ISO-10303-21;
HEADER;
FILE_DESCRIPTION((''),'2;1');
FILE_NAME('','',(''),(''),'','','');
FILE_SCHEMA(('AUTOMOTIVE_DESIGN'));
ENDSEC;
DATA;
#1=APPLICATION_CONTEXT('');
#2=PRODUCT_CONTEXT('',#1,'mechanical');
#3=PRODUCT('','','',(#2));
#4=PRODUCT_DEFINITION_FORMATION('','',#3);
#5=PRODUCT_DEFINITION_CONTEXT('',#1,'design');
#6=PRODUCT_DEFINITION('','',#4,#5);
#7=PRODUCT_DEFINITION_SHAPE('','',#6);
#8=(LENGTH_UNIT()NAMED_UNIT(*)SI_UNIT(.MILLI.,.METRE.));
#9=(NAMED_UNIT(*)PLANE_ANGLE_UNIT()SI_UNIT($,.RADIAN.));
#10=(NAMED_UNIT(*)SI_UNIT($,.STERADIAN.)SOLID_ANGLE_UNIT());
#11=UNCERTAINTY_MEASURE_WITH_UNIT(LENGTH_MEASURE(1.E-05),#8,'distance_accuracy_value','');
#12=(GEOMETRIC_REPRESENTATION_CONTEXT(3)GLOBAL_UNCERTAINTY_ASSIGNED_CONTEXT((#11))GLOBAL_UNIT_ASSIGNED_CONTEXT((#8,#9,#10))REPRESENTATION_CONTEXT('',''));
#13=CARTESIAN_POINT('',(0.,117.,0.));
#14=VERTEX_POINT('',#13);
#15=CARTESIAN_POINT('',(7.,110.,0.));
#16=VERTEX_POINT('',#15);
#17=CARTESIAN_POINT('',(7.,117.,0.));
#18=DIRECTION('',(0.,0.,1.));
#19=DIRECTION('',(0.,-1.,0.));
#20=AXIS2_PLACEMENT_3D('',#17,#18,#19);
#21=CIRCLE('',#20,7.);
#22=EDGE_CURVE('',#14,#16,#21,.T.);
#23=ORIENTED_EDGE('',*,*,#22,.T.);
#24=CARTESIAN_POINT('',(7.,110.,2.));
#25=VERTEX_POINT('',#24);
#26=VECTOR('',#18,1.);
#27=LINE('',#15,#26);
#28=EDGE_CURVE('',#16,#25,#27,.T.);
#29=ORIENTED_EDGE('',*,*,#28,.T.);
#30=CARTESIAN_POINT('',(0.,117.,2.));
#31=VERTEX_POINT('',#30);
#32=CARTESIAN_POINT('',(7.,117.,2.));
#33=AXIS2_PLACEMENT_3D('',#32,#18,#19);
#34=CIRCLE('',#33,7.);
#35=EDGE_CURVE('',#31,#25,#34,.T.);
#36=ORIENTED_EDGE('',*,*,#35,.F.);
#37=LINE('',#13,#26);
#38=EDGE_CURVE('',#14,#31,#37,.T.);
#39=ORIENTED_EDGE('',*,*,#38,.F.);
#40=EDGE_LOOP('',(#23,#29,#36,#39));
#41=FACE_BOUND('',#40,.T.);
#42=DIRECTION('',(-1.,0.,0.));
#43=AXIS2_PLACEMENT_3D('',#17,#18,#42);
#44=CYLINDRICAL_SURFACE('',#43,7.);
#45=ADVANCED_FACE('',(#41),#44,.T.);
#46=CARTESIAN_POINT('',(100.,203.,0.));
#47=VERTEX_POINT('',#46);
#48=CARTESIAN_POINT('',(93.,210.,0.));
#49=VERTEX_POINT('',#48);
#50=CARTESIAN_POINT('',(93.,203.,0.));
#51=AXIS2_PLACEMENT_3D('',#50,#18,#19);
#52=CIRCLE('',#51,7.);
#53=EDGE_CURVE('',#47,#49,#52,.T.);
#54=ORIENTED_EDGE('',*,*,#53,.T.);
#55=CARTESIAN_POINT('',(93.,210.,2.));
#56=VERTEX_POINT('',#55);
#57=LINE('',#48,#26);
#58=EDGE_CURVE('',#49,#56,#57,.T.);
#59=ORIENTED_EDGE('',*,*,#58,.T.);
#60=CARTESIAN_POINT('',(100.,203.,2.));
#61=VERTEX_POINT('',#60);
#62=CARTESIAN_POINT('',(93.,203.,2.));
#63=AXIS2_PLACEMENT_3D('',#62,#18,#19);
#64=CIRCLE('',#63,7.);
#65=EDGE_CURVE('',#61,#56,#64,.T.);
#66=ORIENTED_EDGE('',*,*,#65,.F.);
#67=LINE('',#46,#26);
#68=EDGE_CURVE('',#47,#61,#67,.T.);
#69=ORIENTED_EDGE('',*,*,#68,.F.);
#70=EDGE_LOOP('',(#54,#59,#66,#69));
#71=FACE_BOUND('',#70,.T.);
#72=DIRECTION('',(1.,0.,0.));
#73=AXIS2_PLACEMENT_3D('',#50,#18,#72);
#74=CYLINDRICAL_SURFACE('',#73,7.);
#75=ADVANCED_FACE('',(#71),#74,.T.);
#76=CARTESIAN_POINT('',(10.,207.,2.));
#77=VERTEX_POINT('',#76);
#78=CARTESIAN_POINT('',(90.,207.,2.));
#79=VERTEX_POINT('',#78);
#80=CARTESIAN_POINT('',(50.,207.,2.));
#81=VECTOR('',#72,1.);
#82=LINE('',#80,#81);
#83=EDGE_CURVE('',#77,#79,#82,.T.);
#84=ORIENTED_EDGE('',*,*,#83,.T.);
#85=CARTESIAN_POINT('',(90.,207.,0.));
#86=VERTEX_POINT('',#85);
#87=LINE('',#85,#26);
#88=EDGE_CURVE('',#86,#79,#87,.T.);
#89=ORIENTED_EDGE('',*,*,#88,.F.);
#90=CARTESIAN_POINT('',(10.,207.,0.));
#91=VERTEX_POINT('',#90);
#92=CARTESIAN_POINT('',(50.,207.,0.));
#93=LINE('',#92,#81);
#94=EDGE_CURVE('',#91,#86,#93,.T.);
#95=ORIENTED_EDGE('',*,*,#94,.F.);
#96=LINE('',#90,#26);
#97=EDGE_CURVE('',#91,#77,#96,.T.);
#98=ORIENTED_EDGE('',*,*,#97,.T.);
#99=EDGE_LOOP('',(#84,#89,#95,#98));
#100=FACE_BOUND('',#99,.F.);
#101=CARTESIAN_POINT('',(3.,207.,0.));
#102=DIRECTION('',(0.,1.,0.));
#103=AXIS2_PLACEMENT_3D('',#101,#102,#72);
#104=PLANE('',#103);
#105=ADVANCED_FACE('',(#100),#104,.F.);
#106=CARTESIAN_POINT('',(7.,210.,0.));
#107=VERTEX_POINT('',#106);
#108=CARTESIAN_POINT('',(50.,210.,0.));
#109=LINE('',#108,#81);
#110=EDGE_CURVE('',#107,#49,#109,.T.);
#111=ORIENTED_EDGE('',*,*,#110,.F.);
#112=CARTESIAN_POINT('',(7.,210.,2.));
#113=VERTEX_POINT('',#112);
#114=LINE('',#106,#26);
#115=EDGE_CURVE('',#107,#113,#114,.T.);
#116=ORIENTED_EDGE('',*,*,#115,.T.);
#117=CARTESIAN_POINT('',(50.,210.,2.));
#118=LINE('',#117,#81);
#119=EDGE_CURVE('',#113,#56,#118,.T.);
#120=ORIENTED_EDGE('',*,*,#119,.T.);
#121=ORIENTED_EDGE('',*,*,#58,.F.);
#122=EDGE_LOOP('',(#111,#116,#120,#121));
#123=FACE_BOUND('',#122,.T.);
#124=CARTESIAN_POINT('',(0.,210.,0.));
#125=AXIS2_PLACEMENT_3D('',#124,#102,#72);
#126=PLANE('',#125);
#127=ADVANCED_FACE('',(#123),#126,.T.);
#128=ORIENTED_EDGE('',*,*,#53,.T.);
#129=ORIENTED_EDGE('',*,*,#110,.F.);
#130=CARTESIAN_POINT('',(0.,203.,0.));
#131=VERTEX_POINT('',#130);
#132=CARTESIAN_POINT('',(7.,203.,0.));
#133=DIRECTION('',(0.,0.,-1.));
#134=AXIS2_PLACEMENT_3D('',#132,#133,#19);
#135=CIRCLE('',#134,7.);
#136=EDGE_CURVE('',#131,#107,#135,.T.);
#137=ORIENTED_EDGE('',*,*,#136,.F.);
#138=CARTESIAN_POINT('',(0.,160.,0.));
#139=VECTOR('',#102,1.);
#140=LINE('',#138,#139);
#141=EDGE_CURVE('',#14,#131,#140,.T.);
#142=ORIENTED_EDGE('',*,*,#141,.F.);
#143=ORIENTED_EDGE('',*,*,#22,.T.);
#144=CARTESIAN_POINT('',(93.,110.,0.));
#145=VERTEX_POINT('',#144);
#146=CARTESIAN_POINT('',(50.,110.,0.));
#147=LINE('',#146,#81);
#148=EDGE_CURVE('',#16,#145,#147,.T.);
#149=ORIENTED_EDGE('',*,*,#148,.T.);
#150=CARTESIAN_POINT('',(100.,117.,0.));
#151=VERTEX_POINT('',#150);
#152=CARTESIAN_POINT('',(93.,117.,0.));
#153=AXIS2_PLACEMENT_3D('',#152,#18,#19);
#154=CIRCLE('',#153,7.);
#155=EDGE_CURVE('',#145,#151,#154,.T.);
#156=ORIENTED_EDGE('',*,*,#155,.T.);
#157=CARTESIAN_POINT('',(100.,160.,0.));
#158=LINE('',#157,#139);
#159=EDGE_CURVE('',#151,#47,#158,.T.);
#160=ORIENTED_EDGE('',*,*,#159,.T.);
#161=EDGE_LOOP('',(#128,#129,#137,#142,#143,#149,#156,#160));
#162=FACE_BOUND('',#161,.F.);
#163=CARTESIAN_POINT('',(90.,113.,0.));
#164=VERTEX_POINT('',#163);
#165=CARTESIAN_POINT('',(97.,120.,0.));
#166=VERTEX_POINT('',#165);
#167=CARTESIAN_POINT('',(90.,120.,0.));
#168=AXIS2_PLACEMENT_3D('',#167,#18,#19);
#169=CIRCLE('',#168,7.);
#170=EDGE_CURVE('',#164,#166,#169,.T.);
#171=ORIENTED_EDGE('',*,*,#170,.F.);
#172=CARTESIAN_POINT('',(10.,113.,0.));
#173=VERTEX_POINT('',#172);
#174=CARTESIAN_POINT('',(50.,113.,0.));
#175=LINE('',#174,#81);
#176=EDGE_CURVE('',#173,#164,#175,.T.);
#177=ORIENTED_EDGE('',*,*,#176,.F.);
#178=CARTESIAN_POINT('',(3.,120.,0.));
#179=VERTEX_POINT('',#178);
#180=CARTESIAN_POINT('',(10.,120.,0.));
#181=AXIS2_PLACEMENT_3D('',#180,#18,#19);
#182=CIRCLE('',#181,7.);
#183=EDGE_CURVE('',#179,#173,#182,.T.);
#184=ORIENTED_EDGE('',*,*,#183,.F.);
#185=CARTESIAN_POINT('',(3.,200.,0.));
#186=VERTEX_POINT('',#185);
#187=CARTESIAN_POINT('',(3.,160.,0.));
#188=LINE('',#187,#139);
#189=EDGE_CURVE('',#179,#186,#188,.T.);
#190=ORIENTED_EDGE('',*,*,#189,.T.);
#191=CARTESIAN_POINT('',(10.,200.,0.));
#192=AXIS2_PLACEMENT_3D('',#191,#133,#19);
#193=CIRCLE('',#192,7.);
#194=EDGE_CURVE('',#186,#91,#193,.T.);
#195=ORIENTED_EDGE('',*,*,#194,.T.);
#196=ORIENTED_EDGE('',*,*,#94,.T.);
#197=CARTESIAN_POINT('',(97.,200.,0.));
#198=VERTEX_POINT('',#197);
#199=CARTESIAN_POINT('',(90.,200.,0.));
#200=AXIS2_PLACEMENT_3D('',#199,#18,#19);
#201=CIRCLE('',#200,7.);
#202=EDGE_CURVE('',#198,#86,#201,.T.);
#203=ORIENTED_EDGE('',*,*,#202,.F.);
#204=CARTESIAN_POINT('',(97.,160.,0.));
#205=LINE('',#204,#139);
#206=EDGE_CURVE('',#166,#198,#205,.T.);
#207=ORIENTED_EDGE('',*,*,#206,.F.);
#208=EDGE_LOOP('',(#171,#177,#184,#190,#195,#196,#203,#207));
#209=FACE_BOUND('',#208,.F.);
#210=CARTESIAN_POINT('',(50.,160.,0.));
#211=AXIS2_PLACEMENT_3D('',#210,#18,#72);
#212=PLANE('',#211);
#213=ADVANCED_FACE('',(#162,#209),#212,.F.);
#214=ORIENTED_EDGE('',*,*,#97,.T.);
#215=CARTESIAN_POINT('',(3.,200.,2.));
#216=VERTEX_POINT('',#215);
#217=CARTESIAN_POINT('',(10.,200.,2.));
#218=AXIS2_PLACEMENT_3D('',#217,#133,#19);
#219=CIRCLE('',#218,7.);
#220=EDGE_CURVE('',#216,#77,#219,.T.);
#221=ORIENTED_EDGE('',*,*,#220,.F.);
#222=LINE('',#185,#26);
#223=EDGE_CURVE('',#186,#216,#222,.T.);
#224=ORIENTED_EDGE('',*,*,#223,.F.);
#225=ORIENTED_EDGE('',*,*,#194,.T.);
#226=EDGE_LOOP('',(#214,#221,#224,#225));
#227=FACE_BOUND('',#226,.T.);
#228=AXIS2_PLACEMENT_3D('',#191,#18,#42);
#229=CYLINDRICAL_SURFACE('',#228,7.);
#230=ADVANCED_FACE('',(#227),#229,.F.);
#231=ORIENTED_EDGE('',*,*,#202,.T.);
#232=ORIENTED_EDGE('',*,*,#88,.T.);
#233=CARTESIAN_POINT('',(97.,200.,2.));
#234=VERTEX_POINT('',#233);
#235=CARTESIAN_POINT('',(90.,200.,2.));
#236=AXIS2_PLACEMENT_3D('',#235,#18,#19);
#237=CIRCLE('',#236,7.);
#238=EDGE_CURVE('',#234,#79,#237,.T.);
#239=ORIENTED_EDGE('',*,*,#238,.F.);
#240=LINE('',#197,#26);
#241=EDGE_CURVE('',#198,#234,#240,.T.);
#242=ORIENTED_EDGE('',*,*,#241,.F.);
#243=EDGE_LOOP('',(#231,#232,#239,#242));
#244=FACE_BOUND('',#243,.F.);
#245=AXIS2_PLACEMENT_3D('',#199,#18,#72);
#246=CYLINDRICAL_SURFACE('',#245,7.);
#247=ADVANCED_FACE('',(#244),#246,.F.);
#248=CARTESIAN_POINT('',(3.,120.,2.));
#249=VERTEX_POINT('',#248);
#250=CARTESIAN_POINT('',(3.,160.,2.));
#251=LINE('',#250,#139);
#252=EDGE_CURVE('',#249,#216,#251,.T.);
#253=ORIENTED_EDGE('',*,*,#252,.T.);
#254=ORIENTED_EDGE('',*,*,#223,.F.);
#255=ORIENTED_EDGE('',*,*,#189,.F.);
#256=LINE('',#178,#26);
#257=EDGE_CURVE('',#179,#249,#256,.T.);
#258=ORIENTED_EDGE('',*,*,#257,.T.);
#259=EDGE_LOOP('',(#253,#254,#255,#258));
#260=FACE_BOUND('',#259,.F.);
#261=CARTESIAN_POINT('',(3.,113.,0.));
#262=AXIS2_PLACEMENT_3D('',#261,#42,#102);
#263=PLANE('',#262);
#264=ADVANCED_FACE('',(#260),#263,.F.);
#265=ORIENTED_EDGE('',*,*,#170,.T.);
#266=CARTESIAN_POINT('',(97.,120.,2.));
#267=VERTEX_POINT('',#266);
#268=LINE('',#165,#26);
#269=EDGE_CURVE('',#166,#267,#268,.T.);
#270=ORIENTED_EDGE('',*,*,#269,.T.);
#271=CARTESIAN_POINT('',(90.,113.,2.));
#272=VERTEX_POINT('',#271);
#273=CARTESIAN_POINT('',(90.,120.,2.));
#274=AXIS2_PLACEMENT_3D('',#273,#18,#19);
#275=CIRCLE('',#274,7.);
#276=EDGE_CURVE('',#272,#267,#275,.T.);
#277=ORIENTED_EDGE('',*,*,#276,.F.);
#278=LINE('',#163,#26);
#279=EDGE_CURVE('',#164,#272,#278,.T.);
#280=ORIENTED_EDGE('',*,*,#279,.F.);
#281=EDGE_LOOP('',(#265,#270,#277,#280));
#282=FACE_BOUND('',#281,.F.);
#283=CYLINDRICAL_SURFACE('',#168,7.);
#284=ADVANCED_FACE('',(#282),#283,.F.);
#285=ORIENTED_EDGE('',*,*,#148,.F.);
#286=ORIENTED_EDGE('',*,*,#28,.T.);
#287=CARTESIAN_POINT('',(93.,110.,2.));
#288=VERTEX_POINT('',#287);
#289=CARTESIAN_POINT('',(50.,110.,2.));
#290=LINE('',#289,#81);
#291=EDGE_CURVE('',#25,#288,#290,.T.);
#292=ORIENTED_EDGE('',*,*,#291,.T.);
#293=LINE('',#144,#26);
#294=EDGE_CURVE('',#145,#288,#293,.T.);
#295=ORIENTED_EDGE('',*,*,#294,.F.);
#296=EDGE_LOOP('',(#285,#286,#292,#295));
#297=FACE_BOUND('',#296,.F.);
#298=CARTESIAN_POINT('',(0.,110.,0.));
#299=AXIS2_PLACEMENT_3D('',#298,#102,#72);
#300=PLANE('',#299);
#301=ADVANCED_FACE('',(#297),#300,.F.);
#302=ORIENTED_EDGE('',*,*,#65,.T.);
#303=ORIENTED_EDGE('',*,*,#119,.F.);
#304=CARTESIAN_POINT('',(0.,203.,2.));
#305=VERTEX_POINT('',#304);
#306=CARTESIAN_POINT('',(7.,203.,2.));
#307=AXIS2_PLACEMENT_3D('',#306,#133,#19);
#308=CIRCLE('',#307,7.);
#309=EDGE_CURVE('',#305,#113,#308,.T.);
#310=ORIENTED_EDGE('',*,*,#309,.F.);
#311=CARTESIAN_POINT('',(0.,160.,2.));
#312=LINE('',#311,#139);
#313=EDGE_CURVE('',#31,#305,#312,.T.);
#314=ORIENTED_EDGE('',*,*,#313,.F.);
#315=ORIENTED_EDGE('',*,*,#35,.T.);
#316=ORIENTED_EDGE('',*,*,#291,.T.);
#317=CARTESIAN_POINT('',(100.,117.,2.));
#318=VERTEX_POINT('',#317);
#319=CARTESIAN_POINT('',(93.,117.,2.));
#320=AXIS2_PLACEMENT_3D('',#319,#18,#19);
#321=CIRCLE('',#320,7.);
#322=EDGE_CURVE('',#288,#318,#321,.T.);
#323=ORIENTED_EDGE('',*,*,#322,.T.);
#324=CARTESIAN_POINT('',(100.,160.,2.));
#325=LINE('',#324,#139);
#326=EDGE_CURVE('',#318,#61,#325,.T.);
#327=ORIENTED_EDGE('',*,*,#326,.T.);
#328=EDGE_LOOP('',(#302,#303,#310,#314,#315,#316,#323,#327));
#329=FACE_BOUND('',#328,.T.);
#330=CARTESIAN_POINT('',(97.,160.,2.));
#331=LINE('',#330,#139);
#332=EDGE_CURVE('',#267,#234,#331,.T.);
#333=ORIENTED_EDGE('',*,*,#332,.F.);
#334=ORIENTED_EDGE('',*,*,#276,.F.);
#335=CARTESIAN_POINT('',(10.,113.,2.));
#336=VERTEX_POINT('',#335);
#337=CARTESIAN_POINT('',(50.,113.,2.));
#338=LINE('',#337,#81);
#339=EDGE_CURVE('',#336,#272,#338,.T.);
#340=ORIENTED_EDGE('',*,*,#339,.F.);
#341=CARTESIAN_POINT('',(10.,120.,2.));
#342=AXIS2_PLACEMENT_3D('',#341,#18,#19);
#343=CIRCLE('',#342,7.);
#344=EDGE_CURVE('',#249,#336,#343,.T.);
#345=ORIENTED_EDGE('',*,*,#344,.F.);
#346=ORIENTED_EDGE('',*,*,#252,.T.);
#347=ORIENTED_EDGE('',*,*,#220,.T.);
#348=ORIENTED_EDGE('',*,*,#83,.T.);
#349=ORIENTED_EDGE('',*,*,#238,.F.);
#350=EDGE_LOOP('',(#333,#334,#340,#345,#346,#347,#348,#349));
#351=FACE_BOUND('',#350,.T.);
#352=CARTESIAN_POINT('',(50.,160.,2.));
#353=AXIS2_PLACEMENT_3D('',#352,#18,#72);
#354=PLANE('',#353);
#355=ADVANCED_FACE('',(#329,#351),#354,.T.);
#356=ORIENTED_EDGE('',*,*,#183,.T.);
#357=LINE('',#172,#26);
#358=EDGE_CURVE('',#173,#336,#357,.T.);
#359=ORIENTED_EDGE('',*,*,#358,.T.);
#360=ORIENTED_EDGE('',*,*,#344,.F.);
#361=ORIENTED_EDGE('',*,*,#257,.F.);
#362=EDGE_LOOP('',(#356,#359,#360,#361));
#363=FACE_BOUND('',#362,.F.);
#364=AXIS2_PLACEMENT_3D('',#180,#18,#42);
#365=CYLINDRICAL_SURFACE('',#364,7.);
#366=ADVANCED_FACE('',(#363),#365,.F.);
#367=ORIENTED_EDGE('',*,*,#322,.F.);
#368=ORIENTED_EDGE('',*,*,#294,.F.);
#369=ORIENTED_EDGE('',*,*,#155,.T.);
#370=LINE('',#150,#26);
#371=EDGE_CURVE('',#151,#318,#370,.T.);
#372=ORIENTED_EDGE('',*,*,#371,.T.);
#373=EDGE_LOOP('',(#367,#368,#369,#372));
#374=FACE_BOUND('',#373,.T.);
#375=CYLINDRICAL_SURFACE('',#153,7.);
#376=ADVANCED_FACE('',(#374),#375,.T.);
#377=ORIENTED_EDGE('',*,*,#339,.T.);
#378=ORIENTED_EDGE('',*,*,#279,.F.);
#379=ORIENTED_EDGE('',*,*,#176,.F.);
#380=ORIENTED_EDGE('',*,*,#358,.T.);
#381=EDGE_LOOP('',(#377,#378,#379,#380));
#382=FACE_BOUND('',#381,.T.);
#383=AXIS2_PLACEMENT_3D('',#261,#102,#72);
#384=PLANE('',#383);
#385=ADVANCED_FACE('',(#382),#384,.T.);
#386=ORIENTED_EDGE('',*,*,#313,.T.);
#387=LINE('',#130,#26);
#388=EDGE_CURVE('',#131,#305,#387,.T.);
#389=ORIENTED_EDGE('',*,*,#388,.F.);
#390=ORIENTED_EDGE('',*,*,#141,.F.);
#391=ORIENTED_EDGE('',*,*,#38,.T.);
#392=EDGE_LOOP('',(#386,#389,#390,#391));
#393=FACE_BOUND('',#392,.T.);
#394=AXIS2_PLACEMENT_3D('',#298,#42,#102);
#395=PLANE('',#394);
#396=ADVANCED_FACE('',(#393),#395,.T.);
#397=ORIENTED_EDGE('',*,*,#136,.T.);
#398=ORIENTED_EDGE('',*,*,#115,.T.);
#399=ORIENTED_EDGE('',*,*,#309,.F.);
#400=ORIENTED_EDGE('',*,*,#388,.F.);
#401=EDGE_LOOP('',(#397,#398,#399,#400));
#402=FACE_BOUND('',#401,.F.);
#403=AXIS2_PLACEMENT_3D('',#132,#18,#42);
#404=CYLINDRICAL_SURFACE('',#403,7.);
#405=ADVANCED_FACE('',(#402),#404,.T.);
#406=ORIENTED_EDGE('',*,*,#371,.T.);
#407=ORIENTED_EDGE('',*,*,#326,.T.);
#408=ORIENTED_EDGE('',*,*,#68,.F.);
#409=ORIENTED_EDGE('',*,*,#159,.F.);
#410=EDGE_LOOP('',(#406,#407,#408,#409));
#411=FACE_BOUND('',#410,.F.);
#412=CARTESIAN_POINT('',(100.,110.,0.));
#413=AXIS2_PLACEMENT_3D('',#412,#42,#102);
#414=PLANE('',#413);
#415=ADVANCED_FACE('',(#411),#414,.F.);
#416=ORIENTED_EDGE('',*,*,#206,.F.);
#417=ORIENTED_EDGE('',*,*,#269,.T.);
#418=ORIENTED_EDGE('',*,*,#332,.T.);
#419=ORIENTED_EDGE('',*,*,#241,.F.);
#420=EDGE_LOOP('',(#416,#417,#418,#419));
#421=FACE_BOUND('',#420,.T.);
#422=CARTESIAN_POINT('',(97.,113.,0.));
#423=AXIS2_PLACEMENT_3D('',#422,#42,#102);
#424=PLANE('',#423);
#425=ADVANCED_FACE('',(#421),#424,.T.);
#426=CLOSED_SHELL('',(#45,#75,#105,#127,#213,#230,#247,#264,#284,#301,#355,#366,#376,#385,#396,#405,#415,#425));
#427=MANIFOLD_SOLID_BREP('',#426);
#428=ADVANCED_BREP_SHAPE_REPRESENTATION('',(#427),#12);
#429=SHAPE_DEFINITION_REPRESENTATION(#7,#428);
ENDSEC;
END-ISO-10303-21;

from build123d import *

# Parameters (mm, degrees)
BOX010_W     = 94
BOX010_H     = 94
BOX010_DEPTH = 2
FILLET011_R  = 7
BOX009_W     = 100
BOX009_H     = 100
BOX009_DEPTH = 2
FILLET010_R  = 7


with BuildPart() as top_with_fillets004:
    # Box010 → Box010 (new body)
    with BuildSketch(Plane(origin=(3, 3, 0), x_dir=(1, 0, 0), z_dir=(0, 0, 1))):
        with Locations((47, 47)):
            Rectangle(BOX010_W, BOX010_H)
    extrude(amount=BOX010_DEPTH)

    # Fillet011
    fillet011_edges = [top_with_fillets004.edges().sort_by_distance(p)[0] for p in [
        (3, 3, 1),
        (3, 97, 1),
        (97, 3, 1),
        (97, 97, 1),
    ]]
    fillet(fillet011_edges, radius=FILLET011_R)


with BuildPart() as stacker:
    # Box009 → Box009 (new body)
    with BuildSketch(Plane.XY):
        with Locations((50, 50)):
            Rectangle(BOX009_W, BOX009_H)
    extrude(amount=BOX009_DEPTH)

    # Fillet010
    fillet010_edges = [stacker.edges().sort_by_distance(p)[0] for p in [
        (0, 0, 1),
        (0, 100, 1),
        (100, 0, 1),
        (100, 100, 1),
    ]]
    fillet(fillet010_edges, radius=FILLET010_R)

    # Cut003: cut Top with fillets004
    add(top_with_fillets004.part, mode=Mode.SUBTRACT)


with BuildPart() as stacker_1:
    # Cut003 placement: moved
    add(stacker.part.moved(Location((0, 110, 0))))


solid = stacker_1.part
